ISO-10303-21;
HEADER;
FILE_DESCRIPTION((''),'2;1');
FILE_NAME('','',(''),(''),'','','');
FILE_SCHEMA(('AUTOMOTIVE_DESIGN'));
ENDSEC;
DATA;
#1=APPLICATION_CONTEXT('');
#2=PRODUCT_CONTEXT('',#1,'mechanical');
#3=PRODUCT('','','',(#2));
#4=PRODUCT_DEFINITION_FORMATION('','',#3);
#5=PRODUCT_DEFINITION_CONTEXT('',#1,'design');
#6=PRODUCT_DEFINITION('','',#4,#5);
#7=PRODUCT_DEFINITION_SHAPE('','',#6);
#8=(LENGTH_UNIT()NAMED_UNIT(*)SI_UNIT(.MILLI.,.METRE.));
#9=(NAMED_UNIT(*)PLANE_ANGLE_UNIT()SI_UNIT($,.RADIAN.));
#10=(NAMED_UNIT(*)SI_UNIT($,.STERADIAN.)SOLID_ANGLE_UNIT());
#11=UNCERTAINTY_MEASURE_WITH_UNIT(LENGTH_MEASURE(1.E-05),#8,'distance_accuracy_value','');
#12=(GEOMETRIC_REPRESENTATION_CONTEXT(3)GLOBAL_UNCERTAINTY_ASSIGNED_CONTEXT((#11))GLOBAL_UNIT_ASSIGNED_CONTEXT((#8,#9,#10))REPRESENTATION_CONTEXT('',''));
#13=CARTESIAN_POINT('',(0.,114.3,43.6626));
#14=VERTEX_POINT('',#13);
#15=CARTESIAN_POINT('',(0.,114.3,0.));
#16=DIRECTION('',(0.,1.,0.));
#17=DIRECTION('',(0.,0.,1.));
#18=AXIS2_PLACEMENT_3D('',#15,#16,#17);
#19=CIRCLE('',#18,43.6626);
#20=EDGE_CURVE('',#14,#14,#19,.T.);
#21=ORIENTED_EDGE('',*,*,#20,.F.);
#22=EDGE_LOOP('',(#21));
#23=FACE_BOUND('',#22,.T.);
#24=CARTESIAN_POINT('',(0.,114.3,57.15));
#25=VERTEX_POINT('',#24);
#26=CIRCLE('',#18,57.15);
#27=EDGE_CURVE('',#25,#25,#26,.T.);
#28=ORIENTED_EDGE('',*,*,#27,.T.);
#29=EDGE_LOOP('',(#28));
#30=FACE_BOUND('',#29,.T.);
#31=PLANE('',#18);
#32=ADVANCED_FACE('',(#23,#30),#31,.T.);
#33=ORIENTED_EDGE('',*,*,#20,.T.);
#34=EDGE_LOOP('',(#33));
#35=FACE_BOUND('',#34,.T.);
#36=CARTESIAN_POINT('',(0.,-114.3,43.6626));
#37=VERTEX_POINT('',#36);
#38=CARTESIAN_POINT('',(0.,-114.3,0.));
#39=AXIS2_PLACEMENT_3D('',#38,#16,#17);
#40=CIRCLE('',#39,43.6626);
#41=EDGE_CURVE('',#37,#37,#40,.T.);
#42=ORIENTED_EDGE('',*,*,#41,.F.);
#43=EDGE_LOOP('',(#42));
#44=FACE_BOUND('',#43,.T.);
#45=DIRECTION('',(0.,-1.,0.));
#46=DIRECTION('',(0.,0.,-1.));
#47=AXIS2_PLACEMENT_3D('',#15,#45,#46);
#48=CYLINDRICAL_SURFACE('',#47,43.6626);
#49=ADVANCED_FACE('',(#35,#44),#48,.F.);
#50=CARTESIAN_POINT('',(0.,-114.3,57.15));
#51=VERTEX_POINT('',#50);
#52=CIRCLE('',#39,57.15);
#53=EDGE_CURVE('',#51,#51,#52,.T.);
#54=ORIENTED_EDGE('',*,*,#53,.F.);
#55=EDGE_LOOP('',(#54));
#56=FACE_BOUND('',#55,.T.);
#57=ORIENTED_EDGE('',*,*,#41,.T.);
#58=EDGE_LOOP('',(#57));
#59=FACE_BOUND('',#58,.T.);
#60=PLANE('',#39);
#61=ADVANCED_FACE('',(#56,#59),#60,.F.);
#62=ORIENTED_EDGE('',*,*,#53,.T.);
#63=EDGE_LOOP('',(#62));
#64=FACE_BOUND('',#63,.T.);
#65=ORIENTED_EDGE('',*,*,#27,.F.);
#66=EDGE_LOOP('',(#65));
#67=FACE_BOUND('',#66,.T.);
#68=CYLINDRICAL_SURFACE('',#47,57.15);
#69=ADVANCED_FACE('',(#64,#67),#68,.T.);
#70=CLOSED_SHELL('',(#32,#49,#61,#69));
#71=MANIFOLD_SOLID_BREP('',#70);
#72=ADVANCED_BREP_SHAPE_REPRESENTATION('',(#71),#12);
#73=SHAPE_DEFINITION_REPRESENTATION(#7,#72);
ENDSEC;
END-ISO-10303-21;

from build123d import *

# Parameters (mm, degrees)
SKETCH1_R      = 57.15
SKETCH1_R_2    = 43.6626
EXTRUDE1_DEPTH = 114.3


with BuildPart() as part:
    # Sketch1 → Extrude1 (new body, symmetric)
    with BuildSketch(Plane(origin=(0, 0, 0), x_dir=(1, 0, 0), z_dir=(0, 1, 0))):
        Circle(SKETCH1_R)
        Circle(SKETCH1_R_2, mode=Mode.SUBTRACT)
    extrude(amount=EXTRUDE1_DEPTH, both=True)


solid = part.part
